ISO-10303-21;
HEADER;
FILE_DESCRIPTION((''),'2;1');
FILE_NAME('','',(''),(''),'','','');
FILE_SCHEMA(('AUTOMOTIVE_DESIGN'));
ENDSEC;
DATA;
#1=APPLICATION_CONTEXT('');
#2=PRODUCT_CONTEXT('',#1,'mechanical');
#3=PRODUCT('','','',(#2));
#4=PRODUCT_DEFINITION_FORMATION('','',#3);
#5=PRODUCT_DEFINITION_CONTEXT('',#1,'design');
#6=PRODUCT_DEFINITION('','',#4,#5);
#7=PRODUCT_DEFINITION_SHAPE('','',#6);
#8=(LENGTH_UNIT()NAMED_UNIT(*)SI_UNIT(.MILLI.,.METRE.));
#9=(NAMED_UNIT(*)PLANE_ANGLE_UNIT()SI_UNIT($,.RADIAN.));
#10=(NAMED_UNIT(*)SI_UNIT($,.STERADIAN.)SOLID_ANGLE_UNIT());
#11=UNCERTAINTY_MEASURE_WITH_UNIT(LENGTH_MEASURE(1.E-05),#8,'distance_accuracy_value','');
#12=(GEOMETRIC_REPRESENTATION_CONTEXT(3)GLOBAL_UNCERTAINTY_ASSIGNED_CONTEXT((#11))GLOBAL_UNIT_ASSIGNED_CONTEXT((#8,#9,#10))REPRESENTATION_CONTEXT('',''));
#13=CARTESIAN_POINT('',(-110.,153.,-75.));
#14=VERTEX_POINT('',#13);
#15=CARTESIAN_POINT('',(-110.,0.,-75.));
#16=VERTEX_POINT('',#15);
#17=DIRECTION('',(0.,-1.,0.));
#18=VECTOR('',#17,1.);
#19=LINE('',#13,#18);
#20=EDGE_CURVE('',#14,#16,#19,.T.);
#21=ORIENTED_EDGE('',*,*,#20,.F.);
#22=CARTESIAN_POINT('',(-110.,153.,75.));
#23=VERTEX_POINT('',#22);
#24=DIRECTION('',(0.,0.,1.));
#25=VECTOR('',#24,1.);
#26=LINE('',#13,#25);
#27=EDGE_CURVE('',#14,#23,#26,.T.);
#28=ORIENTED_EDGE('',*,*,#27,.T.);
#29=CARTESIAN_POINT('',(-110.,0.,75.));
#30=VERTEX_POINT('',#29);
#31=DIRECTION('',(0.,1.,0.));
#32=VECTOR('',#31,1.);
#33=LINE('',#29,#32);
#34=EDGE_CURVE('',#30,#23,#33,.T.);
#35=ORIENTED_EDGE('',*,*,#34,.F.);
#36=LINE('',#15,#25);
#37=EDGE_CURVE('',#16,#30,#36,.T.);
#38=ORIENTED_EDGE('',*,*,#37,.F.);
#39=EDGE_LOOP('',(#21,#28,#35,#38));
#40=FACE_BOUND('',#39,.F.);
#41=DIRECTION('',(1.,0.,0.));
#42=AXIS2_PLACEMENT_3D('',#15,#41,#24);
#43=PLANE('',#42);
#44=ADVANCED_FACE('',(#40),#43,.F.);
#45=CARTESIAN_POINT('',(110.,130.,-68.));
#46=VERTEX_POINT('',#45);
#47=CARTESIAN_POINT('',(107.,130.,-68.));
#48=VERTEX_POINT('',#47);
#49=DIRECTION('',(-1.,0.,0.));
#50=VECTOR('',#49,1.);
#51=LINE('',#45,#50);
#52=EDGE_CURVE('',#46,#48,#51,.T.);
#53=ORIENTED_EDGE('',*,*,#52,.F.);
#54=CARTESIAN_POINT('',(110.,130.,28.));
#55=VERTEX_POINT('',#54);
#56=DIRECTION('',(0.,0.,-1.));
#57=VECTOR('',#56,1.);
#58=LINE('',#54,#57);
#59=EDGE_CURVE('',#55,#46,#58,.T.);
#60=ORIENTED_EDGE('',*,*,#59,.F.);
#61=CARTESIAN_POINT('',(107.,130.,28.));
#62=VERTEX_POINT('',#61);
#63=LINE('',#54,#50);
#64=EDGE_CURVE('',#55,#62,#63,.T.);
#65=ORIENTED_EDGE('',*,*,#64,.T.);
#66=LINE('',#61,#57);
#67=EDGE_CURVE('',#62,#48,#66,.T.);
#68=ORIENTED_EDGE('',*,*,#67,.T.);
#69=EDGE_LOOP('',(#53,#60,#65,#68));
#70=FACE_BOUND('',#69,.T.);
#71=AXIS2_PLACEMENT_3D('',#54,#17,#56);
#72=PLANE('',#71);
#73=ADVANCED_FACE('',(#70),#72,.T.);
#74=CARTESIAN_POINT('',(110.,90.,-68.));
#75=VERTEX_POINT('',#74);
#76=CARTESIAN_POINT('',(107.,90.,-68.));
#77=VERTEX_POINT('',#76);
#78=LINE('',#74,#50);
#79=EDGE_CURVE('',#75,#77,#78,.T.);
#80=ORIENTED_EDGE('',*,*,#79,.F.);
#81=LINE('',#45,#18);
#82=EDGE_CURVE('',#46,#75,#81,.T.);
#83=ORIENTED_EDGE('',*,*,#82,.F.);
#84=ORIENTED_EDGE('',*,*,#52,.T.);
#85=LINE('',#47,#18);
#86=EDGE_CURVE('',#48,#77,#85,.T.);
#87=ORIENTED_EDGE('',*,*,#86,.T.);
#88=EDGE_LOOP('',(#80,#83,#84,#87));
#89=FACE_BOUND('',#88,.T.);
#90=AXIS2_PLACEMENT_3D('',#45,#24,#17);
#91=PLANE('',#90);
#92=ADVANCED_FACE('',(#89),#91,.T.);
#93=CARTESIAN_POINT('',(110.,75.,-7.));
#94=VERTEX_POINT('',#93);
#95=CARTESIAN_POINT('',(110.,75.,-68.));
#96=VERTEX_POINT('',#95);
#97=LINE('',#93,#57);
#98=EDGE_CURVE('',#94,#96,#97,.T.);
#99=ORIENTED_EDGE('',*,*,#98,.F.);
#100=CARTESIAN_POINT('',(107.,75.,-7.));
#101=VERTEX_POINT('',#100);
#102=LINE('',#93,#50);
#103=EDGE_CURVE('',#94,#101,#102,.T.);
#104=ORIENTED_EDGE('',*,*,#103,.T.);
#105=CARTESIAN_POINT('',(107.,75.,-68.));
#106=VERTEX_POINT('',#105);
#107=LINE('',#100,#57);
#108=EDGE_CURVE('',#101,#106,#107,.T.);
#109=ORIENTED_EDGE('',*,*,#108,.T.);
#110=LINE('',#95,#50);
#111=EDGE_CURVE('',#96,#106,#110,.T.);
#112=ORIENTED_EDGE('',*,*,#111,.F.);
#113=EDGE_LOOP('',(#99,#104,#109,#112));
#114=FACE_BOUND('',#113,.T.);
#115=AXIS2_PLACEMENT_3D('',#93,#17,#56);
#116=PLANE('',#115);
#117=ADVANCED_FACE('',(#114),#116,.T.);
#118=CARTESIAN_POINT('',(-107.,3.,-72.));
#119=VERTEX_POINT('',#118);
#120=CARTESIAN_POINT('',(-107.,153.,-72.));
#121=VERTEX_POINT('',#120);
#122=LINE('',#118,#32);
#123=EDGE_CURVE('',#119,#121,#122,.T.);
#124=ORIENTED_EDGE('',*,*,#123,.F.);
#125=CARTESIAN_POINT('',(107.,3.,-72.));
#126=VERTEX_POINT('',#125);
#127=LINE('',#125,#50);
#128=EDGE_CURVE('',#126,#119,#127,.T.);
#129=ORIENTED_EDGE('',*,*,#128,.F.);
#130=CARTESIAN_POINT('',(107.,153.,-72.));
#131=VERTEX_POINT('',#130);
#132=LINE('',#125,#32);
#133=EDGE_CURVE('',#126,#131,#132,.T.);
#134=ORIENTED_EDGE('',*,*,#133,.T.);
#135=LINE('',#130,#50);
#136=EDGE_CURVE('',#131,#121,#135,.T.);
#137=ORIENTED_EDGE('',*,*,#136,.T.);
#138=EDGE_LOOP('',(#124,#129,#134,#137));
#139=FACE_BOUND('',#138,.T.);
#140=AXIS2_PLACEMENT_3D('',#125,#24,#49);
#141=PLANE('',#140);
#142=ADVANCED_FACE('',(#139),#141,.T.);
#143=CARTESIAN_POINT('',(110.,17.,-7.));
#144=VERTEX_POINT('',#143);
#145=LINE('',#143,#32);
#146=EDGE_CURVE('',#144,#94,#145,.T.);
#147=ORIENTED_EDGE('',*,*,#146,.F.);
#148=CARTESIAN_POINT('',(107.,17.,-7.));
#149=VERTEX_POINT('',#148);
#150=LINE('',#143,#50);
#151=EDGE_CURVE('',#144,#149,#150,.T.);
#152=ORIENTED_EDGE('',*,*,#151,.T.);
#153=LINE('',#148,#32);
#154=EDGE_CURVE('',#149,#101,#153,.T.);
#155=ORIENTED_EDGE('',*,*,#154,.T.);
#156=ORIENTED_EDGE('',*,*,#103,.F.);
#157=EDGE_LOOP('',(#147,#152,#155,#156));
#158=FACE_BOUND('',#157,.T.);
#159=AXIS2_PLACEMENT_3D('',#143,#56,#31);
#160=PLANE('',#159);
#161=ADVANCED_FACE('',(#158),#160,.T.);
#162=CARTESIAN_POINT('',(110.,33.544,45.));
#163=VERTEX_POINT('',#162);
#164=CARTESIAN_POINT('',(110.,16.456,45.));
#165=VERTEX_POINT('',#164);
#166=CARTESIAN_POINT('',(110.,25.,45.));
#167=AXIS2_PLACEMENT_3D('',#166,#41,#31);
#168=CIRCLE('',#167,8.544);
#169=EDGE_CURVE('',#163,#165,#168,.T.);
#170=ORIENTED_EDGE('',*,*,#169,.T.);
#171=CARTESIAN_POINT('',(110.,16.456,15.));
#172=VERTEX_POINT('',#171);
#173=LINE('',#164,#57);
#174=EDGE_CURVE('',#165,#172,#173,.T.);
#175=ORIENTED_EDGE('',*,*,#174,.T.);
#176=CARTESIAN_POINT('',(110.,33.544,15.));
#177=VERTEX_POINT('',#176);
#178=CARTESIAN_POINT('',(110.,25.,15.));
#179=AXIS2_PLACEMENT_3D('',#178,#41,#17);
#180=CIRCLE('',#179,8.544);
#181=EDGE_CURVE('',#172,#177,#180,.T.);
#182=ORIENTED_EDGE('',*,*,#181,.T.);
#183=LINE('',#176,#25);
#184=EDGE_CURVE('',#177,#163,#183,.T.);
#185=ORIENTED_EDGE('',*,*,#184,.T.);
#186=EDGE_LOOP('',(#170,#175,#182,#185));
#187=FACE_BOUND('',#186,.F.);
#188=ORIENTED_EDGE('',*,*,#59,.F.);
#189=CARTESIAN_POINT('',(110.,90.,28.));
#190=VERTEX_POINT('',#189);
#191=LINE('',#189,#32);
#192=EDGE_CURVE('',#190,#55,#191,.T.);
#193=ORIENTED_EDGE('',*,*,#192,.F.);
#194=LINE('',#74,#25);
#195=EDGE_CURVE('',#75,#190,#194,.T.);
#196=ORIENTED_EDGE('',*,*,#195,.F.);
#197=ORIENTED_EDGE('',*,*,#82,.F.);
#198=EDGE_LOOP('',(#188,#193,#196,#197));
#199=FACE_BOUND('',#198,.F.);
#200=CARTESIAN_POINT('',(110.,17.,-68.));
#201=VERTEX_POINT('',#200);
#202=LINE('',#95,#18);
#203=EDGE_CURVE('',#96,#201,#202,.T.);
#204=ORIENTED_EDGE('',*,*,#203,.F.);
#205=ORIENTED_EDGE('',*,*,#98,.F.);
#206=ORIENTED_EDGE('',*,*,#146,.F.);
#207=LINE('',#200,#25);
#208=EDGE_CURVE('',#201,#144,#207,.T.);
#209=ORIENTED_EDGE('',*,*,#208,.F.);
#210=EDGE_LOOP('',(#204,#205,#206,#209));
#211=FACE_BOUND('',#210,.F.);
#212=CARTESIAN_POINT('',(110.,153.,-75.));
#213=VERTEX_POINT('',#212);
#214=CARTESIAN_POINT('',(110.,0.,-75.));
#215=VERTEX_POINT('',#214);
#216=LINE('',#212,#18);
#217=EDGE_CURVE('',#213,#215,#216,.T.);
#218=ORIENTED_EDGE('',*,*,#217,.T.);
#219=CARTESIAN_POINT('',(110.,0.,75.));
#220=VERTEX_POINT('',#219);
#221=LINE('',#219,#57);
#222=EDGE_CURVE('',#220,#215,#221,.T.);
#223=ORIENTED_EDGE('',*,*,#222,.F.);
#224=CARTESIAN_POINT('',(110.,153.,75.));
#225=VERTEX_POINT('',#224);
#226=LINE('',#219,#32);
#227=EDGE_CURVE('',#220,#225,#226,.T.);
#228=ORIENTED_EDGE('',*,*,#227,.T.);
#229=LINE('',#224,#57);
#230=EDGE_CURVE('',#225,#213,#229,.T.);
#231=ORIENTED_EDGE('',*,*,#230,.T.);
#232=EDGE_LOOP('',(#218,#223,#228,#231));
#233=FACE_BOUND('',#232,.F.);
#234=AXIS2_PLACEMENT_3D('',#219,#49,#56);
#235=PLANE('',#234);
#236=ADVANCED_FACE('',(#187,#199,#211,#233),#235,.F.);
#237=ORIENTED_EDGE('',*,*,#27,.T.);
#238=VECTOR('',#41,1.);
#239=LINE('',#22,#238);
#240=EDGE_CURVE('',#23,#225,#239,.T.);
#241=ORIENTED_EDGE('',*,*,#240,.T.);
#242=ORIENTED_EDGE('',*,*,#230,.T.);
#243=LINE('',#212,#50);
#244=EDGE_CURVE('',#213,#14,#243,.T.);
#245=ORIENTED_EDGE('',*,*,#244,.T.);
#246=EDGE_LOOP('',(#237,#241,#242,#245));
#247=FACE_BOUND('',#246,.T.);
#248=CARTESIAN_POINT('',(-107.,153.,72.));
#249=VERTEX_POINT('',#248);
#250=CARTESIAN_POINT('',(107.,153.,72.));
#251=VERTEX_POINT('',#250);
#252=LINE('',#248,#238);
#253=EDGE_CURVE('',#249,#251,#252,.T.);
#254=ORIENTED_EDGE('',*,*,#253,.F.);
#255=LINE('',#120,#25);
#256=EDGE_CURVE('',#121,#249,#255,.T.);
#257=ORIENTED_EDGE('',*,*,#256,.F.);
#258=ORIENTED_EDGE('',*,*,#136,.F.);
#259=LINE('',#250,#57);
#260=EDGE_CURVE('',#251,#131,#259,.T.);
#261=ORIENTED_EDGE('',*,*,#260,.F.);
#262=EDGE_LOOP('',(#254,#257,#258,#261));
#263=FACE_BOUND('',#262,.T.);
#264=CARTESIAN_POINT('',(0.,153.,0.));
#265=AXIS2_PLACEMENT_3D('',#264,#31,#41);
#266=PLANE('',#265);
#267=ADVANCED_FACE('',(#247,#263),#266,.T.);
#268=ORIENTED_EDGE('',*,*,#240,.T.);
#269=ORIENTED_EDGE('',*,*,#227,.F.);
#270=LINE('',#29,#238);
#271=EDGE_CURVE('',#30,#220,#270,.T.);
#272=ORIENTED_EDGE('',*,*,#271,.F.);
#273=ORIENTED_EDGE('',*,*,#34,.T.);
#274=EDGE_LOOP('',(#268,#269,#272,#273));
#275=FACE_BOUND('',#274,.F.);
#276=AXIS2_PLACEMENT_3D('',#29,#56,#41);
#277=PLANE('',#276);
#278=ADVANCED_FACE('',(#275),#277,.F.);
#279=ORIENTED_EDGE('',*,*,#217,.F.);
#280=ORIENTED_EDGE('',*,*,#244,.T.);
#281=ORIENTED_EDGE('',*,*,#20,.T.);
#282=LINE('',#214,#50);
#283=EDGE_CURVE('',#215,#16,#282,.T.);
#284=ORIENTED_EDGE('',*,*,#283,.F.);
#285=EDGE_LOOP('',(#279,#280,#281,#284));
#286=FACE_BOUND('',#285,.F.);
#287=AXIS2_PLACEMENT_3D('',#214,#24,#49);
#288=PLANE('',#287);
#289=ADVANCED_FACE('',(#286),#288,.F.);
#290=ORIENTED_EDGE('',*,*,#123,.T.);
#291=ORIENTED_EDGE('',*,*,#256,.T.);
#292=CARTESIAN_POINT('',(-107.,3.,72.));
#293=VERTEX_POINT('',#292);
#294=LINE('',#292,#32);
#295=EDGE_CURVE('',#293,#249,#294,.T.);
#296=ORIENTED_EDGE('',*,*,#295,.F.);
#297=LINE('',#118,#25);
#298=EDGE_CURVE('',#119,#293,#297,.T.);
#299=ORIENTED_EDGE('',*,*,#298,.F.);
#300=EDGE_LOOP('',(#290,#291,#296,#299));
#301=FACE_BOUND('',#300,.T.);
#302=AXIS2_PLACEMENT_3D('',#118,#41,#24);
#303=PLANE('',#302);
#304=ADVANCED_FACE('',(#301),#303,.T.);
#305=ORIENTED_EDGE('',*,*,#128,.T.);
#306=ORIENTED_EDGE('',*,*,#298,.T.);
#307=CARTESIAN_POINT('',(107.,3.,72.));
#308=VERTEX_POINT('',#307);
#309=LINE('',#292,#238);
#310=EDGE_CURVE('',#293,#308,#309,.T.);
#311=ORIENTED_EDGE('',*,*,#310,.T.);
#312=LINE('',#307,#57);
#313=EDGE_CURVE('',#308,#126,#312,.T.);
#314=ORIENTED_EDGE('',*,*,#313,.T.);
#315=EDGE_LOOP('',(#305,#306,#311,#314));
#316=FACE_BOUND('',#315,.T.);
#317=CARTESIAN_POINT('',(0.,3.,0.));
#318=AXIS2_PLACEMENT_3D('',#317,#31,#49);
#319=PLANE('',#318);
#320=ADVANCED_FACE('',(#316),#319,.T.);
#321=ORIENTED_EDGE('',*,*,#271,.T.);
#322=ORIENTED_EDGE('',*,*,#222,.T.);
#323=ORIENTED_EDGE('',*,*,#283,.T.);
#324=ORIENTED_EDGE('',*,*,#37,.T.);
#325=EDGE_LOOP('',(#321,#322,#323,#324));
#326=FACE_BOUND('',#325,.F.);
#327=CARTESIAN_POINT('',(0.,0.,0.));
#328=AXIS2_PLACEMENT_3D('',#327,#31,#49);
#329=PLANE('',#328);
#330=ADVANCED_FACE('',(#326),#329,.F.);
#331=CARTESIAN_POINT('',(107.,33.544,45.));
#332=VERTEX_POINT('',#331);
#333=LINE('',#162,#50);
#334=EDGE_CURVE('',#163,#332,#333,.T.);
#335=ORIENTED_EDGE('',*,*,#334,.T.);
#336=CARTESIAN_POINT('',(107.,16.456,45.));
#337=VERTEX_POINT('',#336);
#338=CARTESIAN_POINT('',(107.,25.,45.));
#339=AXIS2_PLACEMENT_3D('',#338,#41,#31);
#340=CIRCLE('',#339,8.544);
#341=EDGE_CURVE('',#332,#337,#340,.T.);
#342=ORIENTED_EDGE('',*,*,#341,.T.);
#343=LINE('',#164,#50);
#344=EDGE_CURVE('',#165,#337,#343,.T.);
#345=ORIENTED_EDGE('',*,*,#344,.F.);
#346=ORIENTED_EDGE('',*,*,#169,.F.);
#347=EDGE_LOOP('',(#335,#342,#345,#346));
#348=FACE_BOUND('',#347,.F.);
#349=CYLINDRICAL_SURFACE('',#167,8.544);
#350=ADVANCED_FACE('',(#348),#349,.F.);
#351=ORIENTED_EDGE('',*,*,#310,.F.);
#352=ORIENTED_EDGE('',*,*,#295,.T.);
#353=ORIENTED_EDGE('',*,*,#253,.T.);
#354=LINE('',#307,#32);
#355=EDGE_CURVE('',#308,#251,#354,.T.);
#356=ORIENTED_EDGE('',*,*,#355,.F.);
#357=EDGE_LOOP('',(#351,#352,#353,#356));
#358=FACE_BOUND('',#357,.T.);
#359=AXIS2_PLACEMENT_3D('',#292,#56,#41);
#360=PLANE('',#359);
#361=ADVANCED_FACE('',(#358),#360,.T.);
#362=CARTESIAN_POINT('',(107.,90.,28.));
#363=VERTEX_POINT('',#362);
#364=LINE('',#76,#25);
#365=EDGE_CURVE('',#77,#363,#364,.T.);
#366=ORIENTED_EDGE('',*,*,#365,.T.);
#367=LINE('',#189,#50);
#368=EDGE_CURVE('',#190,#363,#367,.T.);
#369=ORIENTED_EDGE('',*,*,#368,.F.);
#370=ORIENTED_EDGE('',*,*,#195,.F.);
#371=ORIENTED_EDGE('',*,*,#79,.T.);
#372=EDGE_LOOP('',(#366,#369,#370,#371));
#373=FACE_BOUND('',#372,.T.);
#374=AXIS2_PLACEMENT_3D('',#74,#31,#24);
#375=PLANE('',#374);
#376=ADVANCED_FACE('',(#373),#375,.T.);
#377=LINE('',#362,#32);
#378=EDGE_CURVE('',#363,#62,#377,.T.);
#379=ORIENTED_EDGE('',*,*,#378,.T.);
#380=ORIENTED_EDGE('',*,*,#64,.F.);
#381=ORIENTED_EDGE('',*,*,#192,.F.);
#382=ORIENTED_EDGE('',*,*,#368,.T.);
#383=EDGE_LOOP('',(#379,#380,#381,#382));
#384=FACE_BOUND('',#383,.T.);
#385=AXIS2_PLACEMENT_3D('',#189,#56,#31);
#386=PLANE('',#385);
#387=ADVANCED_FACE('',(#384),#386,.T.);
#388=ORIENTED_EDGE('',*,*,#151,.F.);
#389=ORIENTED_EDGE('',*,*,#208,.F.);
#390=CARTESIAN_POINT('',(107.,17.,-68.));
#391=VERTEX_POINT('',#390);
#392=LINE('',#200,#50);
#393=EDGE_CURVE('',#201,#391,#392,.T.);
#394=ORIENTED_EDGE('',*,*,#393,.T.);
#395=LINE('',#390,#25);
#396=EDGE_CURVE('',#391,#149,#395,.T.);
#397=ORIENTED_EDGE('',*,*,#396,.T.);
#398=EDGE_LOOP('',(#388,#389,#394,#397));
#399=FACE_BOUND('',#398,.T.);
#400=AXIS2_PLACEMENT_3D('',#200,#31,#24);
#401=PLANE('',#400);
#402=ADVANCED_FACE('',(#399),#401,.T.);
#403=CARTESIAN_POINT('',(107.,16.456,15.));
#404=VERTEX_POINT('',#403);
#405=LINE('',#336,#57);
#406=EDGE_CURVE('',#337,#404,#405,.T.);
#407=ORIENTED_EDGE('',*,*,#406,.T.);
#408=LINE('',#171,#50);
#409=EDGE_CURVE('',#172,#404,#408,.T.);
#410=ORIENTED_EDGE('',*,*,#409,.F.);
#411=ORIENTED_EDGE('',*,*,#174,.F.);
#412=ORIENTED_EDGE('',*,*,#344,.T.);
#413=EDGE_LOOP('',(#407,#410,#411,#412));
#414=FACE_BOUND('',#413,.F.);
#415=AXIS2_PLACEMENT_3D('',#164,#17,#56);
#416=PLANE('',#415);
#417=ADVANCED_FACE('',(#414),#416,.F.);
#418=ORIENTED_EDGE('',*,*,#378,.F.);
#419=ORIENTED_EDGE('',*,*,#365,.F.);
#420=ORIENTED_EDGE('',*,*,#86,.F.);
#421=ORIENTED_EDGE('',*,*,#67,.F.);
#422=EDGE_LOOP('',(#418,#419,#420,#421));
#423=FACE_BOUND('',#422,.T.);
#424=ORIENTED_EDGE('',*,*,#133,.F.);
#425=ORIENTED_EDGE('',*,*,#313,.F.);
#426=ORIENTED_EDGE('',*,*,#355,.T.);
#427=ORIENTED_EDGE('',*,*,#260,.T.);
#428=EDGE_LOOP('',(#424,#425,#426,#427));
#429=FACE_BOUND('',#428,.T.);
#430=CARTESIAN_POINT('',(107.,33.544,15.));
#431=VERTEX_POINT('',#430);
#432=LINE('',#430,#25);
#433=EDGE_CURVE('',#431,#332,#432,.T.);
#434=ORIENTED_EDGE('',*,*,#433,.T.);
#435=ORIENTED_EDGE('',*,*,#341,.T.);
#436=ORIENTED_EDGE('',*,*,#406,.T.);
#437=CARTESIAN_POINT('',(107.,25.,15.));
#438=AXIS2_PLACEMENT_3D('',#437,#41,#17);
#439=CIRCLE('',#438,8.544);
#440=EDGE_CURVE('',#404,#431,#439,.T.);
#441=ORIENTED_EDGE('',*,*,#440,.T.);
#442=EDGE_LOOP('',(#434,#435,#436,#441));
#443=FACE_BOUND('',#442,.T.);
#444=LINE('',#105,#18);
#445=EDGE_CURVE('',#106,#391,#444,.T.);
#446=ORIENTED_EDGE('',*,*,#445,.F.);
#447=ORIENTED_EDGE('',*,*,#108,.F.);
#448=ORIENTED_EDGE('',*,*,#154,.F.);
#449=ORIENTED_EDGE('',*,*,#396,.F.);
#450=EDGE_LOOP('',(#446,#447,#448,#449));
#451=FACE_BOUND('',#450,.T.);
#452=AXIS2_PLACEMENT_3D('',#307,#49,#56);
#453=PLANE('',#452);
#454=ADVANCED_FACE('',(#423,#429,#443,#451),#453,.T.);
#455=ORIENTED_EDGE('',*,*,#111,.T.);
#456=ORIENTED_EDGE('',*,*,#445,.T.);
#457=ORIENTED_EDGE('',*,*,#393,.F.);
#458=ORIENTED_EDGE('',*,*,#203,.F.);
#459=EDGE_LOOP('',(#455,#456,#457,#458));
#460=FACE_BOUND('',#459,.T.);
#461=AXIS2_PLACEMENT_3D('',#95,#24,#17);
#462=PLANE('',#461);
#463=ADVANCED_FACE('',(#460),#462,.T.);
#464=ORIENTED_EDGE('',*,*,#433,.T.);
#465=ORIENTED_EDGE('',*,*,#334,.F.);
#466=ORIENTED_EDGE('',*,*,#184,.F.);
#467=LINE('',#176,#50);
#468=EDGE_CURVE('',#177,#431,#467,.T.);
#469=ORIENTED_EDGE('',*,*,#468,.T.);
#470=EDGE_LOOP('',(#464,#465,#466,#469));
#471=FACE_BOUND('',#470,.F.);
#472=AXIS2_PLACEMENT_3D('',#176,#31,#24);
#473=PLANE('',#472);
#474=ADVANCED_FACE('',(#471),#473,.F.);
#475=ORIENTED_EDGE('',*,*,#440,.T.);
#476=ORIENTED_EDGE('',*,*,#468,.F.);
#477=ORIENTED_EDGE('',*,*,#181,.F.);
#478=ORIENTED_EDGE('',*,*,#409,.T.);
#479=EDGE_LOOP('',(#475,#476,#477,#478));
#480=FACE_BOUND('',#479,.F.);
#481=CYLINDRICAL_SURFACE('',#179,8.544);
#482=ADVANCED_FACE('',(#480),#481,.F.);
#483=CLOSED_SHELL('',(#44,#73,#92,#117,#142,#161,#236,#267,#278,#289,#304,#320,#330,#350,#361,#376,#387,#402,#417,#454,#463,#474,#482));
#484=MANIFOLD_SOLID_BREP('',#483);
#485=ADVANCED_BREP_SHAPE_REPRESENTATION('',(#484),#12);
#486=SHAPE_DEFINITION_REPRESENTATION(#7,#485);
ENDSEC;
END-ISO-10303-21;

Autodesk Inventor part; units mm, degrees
ref_plane "YZ Plane" through (0, 0, 0) normal (1, 0, 0) x (0, 1, 0)
ref_plane "XZ Plane" through (0, 0, 0) normal (0, 1, 0) x (-1, 0, 0)
ref_plane "XY Plane" through (0, 0, 0) normal (0, 0, 1) x (1, 0, 0)
sketch "Sketch1" plane through (0, 0, 0) normal (0, 1, 0) x (-1, 0, 0)
  line L0 (110, 75) -> (-110, 75)
  line L1 (-110, 75) -> (-110, -75)
  line L2 (-110, -75) -> (110, -75)
  line L3 (110, -75) -> (110, 75)
  line L4 (110, 75) -> (-110, -75) construction
  line L5 (-110, 75) -> (110, -75) construction
  point P0 (0, 0)
  dimension "d0" = 150
  dimension "d1" = 220
extrude "Extrusion1" add sketch "Sketch1" along normal blind 3
sketch "Sketch2" plane through (0, 3, 0) normal (0, 1, 0) x (1, 0, 0)
  line L0 (110, -75) -> (110, 75) projected
  line L1 (-110, -75) -> (110, -75)
  line L2 (110, -75) -> (110, 75)
  line L3 (110, 75) -> (-110, 75)
  line L4 (-110, 75) -> (-110, -75)
  line L5 (-110, -75) -> (110, 75) construction
  line L6 (110, -75) -> (-110, 75) construction
  line L7 (-107, -72) -> (107, -72)
  line L8 (107, -72) -> (107, 72)
  line L9 (107, 72) -> (-107, 72)
  line L10 (-107, 72) -> (-107, -72)
  line L11 (-107, -72) -> (107, 72) construction
  line L12 (107, -72) -> (-107, 72) construction
  point P0 (0, 0)
  dimension "d4" = 144
  dimension "d5" = 214
extrude "Extrusion2" add sketch "Sketch2" along normal blind 150
sketch "Sketch3" plane through (110, 0, 75) normal (1, 0, 0) x (0, 0, -1)
  line L0 (47, 130) -> (143, 130)
  line L1 (143, 130) -> (143, 90)
  line L2 (143, 90) -> (47, 90)
  line L3 (47, 90) -> (47, 130)
  line L4 (47, 130) -> (143, 90) construction
  line L5 (143, 130) -> (47, 90) construction
  line L6 (0, 0) -> (0, 153) projected
  line L7 (82, 75) -> (143, 75)
  line L8 (143, 75) -> (143, 17)
  line L9 (143, 17) -> (82, 17)
  line L10 (82, 17) -> (82, 75)
  line L11 (82, 75) -> (143, 17) construction
  line L12 (143, 75) -> (82, 17) construction
  line L13 (30, 25) -> (60, 25) construction
  line L14 (30, 16.456) -> (60, 16.456)
  line L15 (60, 33.544) -> (30, 33.544)
  arc A0 (30, 33.544) -> (30, 16.456) centre (30, 25) ccw
  arc A1 (60, 16.456) -> (60, 33.544) centre (60, 25) ccw
  point P0 (75, 0)
  point P1 (95, 110)
  point P2 (112.5, 46)
  point P3 (0, 3)
  point P4 (45, 25)
  dimension "d8" = 96
  dimension "d9" = 40
  dimension "d10" = 95
  dimension "d11" = 110
  dimension "d14" = 61
  dimension "d15" = 58
  dimension "d16" = 0
  dimension "d17" = 46
  dimension "d18" = 25
  dimension "d19" = 30
  dimension "d20" = 30
  dimension "d21" = 8.544
extrude "Extrusion3" cut sketch "Sketch3" against normal blind 3
properties part number "perspex_shell"
